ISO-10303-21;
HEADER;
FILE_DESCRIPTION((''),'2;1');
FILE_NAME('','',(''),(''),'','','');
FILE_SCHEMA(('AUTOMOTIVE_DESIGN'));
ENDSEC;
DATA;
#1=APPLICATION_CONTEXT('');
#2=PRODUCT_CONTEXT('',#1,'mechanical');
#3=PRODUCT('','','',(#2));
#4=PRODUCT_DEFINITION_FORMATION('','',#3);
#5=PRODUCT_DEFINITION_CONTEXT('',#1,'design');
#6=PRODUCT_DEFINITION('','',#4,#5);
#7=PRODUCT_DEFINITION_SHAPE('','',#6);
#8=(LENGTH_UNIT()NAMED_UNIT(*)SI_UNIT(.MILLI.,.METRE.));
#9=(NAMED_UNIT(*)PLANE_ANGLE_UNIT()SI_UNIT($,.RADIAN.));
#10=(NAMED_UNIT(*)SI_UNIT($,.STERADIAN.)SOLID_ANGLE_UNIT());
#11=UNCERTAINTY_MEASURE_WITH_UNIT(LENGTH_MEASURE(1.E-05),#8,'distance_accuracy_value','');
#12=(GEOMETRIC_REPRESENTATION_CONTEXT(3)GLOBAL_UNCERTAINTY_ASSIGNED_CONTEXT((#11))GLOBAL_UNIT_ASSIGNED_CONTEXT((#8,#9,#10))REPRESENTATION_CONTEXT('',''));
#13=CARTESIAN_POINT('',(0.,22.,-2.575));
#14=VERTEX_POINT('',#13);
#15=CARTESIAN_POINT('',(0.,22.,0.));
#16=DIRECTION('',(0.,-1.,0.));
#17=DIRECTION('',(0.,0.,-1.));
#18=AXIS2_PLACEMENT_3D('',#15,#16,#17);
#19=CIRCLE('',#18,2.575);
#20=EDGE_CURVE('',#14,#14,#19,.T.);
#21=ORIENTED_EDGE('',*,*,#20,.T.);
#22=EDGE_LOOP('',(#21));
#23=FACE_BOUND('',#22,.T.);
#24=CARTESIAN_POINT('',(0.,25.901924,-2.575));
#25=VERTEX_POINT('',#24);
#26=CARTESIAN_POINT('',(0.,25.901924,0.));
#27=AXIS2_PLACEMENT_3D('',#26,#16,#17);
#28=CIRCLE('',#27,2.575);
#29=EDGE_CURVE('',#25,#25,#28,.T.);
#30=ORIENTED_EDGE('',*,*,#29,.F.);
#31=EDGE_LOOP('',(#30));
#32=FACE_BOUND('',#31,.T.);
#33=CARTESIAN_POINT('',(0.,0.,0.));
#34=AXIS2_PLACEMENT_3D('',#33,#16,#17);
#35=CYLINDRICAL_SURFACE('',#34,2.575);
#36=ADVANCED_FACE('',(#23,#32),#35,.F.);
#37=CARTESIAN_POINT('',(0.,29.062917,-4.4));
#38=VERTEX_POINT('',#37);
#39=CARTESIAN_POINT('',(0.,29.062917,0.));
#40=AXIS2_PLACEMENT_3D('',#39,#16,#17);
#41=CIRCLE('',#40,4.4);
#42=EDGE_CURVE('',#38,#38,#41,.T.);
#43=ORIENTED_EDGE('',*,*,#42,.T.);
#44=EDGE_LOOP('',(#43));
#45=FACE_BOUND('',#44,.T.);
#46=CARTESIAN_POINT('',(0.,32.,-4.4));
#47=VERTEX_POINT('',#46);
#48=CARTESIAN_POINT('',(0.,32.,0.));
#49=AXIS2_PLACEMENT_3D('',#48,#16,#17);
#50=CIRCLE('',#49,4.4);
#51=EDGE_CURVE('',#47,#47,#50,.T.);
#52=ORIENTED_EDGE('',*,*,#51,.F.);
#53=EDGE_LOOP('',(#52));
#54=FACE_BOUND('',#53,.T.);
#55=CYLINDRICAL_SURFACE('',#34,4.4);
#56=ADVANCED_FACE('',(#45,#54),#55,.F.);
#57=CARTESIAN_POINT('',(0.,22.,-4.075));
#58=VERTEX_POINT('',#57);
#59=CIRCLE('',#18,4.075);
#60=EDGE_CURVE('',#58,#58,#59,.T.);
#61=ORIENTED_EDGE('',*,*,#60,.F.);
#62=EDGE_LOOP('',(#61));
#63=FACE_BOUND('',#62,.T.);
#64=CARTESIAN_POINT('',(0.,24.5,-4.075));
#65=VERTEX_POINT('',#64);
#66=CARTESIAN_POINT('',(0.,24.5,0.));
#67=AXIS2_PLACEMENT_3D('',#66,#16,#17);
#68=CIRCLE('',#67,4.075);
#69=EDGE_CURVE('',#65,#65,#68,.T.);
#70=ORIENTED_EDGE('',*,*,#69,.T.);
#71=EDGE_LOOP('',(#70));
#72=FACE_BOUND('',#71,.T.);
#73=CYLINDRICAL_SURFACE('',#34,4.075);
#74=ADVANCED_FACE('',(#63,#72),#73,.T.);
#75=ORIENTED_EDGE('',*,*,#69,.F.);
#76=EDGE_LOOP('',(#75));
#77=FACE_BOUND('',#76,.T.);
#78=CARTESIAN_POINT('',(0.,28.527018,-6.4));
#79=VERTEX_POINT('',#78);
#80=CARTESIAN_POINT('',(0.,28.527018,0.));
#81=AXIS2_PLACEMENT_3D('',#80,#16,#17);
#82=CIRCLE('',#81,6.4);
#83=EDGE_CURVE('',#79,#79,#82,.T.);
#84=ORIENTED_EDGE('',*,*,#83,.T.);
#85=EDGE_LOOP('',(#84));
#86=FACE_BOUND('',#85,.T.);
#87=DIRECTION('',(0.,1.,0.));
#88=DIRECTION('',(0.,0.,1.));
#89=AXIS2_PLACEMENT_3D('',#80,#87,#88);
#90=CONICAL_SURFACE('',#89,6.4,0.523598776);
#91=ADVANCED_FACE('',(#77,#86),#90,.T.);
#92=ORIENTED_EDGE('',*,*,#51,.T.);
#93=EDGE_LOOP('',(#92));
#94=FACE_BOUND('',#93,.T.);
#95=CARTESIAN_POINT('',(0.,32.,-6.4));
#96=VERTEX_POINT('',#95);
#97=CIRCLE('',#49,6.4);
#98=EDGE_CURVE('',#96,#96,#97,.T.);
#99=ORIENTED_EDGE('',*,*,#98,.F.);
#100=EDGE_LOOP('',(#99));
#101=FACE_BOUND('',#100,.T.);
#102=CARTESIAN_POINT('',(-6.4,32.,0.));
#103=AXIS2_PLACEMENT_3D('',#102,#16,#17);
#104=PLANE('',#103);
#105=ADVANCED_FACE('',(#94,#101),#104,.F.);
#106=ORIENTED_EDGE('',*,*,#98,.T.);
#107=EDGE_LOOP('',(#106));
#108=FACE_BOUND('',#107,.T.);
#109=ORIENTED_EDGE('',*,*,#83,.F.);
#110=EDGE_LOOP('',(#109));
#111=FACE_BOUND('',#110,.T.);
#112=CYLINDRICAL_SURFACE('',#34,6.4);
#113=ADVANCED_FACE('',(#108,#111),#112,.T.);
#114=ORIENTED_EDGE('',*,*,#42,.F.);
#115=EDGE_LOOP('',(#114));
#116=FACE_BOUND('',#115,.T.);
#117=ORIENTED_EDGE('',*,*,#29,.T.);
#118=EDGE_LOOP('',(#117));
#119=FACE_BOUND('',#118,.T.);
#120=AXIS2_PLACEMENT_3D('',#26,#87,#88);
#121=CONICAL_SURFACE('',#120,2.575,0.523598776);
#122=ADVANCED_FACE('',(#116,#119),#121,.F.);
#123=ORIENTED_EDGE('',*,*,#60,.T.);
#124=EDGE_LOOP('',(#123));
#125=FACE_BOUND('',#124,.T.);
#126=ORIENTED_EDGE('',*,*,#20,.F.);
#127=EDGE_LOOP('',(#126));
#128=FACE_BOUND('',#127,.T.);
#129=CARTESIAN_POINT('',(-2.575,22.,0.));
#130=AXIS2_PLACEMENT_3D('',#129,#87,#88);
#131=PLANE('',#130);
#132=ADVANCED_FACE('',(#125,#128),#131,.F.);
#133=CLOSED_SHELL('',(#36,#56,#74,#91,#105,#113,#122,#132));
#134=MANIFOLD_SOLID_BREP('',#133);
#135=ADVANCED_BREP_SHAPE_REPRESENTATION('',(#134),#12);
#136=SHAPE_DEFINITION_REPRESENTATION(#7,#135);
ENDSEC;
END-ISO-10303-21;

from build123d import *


with BuildPart() as part:
    # 草图1 → 旋转1 (revolve)
    with BuildSketch(Plane.XY, mode=Mode.PRIVATE) as revolve_1_sk:
        Polygon((-4.075, 22), (-4.075, 24.5), (-6.4, 28.527018128), (-6.4, 32), (-4.4, 32), (-4.4, 29.062916512), (-2.575, 25.901923789), (-2.575, 22), align=None)
    revolve(revolve_1_sk.sketch.rotate(Axis((0, 0, 0), (0, 1, 0)), 270), axis=Axis((0, 0, 0), (0, 1, 0)))


solid = part.part
